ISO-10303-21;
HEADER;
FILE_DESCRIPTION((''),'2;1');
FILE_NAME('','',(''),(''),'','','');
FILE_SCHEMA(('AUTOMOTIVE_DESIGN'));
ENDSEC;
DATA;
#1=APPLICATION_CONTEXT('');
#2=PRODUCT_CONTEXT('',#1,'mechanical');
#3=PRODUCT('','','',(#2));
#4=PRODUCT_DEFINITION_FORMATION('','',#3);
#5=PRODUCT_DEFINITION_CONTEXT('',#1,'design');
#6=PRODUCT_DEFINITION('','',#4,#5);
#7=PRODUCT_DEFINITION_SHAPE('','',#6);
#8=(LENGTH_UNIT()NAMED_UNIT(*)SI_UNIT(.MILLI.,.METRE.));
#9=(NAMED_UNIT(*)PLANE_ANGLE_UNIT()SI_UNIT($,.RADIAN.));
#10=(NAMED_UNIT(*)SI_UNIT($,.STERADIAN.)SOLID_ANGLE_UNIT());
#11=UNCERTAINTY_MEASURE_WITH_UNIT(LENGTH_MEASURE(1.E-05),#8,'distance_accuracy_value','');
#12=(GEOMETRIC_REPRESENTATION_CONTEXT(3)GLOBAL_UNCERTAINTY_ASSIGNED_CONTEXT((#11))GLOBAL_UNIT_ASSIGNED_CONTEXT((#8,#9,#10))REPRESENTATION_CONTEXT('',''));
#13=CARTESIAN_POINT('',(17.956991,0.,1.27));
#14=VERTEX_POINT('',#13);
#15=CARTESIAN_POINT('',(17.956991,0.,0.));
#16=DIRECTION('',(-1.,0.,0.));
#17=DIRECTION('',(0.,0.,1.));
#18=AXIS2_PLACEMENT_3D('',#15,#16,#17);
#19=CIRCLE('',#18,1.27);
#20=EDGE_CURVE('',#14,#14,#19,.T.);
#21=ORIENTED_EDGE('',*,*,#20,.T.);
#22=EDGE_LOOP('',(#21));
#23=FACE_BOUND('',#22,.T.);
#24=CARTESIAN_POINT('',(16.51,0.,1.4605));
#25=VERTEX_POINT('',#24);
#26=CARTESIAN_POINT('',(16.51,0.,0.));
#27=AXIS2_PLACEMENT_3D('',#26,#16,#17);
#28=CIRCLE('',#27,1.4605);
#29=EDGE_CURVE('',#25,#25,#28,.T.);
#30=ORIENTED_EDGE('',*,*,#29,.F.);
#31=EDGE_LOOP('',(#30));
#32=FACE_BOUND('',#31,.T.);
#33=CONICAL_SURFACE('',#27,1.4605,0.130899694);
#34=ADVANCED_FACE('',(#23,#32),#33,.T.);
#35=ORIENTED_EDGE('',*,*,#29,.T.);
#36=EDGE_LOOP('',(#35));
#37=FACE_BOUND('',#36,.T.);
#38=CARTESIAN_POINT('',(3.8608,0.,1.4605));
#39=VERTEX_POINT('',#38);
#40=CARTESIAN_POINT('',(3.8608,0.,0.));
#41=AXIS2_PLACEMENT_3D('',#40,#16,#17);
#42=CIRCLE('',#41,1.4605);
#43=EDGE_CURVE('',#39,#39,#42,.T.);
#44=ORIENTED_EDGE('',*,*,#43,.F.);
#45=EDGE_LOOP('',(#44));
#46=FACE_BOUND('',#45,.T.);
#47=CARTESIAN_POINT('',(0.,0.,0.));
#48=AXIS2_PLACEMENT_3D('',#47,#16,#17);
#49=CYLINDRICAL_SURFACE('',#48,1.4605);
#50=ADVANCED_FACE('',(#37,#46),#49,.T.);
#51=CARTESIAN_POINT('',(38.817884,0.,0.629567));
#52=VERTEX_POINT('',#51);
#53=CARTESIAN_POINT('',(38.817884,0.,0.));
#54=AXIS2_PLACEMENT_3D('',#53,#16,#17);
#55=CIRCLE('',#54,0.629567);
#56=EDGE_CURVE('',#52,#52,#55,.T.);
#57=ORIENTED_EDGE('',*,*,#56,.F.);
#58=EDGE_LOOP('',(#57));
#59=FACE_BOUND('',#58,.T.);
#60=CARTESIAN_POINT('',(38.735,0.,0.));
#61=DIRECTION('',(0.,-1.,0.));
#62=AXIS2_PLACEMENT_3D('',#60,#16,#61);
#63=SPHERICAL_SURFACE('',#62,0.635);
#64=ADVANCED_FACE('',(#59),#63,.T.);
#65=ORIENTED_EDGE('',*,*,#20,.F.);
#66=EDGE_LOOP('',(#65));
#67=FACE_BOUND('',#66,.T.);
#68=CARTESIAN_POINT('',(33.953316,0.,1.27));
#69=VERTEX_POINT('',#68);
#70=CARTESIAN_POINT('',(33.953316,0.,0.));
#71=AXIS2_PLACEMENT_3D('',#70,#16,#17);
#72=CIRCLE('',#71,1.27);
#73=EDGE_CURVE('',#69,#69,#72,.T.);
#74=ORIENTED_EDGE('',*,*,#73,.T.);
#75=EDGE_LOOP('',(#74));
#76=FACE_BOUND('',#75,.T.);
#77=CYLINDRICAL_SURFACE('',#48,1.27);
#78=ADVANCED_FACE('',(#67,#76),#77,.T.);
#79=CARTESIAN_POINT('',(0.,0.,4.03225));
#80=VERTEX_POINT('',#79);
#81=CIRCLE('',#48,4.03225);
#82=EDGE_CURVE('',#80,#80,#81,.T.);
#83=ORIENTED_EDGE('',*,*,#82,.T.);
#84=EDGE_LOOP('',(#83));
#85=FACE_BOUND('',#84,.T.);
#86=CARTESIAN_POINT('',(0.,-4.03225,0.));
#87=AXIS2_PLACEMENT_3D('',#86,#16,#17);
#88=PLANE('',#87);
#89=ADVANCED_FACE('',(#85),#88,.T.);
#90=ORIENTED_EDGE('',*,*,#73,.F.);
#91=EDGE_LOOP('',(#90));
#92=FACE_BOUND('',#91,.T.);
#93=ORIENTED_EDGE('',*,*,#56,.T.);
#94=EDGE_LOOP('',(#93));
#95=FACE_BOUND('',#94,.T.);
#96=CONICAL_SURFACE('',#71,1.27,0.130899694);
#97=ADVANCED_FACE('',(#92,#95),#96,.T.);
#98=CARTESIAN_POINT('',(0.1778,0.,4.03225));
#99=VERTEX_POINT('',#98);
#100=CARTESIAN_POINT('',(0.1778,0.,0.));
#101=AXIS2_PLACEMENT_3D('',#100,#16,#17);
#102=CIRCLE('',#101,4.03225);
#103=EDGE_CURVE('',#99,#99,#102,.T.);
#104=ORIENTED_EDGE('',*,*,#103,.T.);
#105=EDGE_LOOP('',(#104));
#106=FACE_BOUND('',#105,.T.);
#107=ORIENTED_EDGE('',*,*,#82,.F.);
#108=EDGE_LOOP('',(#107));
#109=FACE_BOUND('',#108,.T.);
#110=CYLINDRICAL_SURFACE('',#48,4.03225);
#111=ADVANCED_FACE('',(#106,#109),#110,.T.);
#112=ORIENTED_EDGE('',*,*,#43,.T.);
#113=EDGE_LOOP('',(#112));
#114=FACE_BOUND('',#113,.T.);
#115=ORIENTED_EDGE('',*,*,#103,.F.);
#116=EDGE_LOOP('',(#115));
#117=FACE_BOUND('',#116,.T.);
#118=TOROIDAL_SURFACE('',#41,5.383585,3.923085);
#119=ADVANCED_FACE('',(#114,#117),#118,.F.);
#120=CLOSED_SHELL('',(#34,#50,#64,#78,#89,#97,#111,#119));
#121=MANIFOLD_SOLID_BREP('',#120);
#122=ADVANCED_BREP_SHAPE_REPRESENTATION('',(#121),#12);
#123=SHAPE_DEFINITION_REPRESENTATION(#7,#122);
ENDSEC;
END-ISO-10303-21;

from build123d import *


with BuildPart() as part:
    # Sketch1 → Revolve1 (revolve)
    with BuildSketch(Plane.XY, mode=Mode.PRIVATE) as revolve1_sk:
        with BuildLine():
            Line((0, -4.03225), (0, 0))
            Line((0, 0), (39.37, 0))
            ThreePointArc((39.37, 0), (39.212418278, -0.418684593), (38.817884132, -0.629567487))
            Line((38.817884132, -0.629567487), (33.953316237, -1.27))
            Line((33.953316237, -1.27), (17.956991158, -1.27))
            Line((17.956991158, -1.27), (16.51, -1.4605))
            Line((16.51, -1.4605), (3.8608, -1.4605))
            ThreePointArc((3.8608, -1.4605), (1.61478202, -2.167065301), (0.1778, -4.03225))
            Line((0.1778, -4.03225), (0, -4.03225))
        make_face()
    revolve(revolve1_sk.sketch.rotate(Axis((0, 0, 0), (1, 0, 0)), 270), axis=Axis((0, 0, 0), (1, 0, 0)))


solid = part.part
